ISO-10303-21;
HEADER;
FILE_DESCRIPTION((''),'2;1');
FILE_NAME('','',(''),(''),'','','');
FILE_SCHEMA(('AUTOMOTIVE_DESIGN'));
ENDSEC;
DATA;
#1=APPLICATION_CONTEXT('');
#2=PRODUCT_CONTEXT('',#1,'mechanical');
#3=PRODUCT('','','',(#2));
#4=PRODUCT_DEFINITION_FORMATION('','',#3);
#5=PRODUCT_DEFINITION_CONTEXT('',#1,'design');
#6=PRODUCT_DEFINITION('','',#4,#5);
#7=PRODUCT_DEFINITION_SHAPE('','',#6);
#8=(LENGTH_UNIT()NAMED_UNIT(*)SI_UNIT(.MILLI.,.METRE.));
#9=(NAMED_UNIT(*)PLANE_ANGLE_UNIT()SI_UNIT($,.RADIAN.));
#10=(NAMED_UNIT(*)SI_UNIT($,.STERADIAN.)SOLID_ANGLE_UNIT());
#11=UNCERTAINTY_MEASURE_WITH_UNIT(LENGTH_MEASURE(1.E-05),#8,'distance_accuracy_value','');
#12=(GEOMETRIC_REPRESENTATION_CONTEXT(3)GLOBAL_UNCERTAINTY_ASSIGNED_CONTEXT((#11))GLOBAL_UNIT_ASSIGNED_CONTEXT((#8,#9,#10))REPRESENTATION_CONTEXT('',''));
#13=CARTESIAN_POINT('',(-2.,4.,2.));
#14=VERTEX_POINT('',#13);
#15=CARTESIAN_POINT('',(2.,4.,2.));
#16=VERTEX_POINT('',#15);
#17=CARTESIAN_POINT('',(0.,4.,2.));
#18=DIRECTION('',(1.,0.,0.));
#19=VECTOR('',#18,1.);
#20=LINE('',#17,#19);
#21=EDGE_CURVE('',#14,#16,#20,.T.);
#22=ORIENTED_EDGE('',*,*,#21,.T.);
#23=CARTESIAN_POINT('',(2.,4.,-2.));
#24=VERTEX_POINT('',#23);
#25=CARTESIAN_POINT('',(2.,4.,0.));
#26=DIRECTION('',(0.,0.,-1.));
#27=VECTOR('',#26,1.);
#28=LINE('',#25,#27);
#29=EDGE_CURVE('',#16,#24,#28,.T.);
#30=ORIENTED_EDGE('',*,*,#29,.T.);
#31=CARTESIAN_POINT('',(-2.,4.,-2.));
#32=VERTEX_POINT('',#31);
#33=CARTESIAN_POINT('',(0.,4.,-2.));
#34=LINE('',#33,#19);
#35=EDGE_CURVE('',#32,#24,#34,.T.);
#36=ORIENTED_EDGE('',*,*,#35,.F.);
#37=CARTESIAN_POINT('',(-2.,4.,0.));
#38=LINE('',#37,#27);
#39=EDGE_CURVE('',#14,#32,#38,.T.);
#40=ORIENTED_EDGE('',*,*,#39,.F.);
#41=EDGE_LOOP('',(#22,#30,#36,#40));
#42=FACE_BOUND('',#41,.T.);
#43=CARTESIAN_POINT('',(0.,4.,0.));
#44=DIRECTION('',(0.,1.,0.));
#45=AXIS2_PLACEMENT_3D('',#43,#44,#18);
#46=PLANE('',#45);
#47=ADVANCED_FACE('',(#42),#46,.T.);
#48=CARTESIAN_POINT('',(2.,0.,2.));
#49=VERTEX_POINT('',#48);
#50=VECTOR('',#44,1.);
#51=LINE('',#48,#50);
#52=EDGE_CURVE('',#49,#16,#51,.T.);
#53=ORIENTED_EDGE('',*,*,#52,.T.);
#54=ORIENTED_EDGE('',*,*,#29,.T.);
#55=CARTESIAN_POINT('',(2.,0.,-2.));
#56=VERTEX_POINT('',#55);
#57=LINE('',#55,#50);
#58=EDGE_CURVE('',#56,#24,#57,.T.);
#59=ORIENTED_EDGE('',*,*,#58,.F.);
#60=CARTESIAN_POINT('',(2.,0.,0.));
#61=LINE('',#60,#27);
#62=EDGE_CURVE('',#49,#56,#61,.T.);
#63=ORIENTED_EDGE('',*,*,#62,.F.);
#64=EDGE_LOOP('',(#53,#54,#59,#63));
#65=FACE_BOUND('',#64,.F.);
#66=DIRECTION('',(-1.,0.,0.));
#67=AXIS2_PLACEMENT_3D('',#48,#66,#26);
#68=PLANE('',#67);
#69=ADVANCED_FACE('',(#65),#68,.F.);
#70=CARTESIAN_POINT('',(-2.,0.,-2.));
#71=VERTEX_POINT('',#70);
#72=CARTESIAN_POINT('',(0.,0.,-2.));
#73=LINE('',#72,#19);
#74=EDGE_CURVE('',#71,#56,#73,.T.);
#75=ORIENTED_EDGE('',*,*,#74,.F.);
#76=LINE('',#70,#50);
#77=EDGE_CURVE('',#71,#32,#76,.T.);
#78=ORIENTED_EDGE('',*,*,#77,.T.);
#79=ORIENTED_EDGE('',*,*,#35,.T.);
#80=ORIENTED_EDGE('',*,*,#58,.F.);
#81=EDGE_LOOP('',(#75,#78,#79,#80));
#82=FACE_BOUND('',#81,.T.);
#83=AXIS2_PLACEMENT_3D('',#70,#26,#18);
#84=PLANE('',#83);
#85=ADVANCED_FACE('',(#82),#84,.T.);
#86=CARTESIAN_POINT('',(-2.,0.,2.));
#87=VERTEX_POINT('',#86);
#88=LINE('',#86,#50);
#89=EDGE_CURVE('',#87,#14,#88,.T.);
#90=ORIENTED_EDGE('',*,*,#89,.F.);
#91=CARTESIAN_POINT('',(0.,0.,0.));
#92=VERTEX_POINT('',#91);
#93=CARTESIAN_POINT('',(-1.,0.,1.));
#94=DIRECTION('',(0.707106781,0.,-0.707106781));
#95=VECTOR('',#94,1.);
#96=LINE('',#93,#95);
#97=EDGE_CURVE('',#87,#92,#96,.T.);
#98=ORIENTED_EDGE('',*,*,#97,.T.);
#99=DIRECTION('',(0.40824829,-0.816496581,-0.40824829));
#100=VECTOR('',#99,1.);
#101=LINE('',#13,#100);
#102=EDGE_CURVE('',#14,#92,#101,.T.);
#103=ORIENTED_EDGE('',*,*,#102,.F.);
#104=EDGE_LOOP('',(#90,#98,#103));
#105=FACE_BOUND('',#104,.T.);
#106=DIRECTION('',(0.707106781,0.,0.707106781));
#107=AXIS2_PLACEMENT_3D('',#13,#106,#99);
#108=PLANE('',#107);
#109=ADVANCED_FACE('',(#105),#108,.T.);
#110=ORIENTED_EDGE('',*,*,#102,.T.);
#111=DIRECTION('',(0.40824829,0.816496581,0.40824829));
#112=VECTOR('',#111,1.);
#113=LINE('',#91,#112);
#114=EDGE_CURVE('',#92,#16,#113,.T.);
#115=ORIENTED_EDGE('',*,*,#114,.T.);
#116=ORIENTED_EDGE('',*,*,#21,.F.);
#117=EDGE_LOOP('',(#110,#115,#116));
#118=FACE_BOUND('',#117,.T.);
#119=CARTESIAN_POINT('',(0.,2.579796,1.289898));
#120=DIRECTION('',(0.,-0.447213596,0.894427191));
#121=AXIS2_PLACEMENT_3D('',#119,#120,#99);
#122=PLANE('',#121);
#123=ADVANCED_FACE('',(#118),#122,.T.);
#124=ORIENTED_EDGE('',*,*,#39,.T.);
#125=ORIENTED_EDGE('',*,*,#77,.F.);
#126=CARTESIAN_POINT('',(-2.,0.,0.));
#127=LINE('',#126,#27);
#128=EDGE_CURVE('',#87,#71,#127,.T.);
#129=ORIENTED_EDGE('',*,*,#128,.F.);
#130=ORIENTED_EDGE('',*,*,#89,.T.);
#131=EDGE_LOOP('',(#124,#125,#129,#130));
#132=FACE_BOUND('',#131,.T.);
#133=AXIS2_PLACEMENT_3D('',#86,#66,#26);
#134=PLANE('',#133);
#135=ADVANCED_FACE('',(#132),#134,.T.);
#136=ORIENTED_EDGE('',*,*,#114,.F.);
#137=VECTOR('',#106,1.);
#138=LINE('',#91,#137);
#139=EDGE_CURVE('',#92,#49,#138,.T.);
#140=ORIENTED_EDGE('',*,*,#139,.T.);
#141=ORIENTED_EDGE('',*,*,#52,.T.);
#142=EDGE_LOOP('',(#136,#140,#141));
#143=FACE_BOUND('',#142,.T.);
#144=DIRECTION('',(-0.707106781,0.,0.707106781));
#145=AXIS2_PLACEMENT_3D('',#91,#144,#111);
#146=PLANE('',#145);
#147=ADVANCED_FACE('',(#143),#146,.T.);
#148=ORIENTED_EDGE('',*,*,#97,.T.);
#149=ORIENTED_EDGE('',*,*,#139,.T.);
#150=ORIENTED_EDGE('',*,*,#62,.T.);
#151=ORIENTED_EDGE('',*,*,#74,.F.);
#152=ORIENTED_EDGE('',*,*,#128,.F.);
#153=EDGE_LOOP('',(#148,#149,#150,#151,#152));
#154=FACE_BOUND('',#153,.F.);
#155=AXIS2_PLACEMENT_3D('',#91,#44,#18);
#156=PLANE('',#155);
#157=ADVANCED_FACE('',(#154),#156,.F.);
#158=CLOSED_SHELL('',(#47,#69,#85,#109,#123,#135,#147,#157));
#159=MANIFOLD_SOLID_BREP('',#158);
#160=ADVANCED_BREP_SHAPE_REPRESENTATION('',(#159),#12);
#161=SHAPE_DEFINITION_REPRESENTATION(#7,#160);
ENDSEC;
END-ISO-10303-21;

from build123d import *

# Parameters (mm, degrees)
SKETCH2_W           = 4
SKETCH2_H           = 4
BOSS_EXTRUDE1_DEPTH = 4
CUT_EXTRUDE2_DEPTH  = 10


with BuildPart() as part:
    # Sketch2 → Boss-Extrude1 (new body)
    with BuildSketch(Plane(origin=(0, 0, 0), x_dir=(1, 0, 0), z_dir=(0, 1, 0))):
        Rectangle(SKETCH2_W, SKETCH2_H)
    extrude(amount=BOSS_EXTRUDE1_DEPTH)

    # 3DSketch2 → Cut-Extrude2 (cut, along a direction that is not the sketch's normal)
    with BuildSketch(Plane(origin=(-2, 4, 2), x_dir=(0.40824829046386296, -0.8164965809277261, -0.4082482904638631), z_dir=(0, -0.447213595499958, 0.894427190999916))):
        Polygon((0, 0), (4.898979486, 0), (1.632993162, 3.651483717), align=None)
    extrude(amount=CUT_EXTRUDE2_DEPTH, dir=(0, -1, 0), mode=Mode.SUBTRACT)


solid = part.part
